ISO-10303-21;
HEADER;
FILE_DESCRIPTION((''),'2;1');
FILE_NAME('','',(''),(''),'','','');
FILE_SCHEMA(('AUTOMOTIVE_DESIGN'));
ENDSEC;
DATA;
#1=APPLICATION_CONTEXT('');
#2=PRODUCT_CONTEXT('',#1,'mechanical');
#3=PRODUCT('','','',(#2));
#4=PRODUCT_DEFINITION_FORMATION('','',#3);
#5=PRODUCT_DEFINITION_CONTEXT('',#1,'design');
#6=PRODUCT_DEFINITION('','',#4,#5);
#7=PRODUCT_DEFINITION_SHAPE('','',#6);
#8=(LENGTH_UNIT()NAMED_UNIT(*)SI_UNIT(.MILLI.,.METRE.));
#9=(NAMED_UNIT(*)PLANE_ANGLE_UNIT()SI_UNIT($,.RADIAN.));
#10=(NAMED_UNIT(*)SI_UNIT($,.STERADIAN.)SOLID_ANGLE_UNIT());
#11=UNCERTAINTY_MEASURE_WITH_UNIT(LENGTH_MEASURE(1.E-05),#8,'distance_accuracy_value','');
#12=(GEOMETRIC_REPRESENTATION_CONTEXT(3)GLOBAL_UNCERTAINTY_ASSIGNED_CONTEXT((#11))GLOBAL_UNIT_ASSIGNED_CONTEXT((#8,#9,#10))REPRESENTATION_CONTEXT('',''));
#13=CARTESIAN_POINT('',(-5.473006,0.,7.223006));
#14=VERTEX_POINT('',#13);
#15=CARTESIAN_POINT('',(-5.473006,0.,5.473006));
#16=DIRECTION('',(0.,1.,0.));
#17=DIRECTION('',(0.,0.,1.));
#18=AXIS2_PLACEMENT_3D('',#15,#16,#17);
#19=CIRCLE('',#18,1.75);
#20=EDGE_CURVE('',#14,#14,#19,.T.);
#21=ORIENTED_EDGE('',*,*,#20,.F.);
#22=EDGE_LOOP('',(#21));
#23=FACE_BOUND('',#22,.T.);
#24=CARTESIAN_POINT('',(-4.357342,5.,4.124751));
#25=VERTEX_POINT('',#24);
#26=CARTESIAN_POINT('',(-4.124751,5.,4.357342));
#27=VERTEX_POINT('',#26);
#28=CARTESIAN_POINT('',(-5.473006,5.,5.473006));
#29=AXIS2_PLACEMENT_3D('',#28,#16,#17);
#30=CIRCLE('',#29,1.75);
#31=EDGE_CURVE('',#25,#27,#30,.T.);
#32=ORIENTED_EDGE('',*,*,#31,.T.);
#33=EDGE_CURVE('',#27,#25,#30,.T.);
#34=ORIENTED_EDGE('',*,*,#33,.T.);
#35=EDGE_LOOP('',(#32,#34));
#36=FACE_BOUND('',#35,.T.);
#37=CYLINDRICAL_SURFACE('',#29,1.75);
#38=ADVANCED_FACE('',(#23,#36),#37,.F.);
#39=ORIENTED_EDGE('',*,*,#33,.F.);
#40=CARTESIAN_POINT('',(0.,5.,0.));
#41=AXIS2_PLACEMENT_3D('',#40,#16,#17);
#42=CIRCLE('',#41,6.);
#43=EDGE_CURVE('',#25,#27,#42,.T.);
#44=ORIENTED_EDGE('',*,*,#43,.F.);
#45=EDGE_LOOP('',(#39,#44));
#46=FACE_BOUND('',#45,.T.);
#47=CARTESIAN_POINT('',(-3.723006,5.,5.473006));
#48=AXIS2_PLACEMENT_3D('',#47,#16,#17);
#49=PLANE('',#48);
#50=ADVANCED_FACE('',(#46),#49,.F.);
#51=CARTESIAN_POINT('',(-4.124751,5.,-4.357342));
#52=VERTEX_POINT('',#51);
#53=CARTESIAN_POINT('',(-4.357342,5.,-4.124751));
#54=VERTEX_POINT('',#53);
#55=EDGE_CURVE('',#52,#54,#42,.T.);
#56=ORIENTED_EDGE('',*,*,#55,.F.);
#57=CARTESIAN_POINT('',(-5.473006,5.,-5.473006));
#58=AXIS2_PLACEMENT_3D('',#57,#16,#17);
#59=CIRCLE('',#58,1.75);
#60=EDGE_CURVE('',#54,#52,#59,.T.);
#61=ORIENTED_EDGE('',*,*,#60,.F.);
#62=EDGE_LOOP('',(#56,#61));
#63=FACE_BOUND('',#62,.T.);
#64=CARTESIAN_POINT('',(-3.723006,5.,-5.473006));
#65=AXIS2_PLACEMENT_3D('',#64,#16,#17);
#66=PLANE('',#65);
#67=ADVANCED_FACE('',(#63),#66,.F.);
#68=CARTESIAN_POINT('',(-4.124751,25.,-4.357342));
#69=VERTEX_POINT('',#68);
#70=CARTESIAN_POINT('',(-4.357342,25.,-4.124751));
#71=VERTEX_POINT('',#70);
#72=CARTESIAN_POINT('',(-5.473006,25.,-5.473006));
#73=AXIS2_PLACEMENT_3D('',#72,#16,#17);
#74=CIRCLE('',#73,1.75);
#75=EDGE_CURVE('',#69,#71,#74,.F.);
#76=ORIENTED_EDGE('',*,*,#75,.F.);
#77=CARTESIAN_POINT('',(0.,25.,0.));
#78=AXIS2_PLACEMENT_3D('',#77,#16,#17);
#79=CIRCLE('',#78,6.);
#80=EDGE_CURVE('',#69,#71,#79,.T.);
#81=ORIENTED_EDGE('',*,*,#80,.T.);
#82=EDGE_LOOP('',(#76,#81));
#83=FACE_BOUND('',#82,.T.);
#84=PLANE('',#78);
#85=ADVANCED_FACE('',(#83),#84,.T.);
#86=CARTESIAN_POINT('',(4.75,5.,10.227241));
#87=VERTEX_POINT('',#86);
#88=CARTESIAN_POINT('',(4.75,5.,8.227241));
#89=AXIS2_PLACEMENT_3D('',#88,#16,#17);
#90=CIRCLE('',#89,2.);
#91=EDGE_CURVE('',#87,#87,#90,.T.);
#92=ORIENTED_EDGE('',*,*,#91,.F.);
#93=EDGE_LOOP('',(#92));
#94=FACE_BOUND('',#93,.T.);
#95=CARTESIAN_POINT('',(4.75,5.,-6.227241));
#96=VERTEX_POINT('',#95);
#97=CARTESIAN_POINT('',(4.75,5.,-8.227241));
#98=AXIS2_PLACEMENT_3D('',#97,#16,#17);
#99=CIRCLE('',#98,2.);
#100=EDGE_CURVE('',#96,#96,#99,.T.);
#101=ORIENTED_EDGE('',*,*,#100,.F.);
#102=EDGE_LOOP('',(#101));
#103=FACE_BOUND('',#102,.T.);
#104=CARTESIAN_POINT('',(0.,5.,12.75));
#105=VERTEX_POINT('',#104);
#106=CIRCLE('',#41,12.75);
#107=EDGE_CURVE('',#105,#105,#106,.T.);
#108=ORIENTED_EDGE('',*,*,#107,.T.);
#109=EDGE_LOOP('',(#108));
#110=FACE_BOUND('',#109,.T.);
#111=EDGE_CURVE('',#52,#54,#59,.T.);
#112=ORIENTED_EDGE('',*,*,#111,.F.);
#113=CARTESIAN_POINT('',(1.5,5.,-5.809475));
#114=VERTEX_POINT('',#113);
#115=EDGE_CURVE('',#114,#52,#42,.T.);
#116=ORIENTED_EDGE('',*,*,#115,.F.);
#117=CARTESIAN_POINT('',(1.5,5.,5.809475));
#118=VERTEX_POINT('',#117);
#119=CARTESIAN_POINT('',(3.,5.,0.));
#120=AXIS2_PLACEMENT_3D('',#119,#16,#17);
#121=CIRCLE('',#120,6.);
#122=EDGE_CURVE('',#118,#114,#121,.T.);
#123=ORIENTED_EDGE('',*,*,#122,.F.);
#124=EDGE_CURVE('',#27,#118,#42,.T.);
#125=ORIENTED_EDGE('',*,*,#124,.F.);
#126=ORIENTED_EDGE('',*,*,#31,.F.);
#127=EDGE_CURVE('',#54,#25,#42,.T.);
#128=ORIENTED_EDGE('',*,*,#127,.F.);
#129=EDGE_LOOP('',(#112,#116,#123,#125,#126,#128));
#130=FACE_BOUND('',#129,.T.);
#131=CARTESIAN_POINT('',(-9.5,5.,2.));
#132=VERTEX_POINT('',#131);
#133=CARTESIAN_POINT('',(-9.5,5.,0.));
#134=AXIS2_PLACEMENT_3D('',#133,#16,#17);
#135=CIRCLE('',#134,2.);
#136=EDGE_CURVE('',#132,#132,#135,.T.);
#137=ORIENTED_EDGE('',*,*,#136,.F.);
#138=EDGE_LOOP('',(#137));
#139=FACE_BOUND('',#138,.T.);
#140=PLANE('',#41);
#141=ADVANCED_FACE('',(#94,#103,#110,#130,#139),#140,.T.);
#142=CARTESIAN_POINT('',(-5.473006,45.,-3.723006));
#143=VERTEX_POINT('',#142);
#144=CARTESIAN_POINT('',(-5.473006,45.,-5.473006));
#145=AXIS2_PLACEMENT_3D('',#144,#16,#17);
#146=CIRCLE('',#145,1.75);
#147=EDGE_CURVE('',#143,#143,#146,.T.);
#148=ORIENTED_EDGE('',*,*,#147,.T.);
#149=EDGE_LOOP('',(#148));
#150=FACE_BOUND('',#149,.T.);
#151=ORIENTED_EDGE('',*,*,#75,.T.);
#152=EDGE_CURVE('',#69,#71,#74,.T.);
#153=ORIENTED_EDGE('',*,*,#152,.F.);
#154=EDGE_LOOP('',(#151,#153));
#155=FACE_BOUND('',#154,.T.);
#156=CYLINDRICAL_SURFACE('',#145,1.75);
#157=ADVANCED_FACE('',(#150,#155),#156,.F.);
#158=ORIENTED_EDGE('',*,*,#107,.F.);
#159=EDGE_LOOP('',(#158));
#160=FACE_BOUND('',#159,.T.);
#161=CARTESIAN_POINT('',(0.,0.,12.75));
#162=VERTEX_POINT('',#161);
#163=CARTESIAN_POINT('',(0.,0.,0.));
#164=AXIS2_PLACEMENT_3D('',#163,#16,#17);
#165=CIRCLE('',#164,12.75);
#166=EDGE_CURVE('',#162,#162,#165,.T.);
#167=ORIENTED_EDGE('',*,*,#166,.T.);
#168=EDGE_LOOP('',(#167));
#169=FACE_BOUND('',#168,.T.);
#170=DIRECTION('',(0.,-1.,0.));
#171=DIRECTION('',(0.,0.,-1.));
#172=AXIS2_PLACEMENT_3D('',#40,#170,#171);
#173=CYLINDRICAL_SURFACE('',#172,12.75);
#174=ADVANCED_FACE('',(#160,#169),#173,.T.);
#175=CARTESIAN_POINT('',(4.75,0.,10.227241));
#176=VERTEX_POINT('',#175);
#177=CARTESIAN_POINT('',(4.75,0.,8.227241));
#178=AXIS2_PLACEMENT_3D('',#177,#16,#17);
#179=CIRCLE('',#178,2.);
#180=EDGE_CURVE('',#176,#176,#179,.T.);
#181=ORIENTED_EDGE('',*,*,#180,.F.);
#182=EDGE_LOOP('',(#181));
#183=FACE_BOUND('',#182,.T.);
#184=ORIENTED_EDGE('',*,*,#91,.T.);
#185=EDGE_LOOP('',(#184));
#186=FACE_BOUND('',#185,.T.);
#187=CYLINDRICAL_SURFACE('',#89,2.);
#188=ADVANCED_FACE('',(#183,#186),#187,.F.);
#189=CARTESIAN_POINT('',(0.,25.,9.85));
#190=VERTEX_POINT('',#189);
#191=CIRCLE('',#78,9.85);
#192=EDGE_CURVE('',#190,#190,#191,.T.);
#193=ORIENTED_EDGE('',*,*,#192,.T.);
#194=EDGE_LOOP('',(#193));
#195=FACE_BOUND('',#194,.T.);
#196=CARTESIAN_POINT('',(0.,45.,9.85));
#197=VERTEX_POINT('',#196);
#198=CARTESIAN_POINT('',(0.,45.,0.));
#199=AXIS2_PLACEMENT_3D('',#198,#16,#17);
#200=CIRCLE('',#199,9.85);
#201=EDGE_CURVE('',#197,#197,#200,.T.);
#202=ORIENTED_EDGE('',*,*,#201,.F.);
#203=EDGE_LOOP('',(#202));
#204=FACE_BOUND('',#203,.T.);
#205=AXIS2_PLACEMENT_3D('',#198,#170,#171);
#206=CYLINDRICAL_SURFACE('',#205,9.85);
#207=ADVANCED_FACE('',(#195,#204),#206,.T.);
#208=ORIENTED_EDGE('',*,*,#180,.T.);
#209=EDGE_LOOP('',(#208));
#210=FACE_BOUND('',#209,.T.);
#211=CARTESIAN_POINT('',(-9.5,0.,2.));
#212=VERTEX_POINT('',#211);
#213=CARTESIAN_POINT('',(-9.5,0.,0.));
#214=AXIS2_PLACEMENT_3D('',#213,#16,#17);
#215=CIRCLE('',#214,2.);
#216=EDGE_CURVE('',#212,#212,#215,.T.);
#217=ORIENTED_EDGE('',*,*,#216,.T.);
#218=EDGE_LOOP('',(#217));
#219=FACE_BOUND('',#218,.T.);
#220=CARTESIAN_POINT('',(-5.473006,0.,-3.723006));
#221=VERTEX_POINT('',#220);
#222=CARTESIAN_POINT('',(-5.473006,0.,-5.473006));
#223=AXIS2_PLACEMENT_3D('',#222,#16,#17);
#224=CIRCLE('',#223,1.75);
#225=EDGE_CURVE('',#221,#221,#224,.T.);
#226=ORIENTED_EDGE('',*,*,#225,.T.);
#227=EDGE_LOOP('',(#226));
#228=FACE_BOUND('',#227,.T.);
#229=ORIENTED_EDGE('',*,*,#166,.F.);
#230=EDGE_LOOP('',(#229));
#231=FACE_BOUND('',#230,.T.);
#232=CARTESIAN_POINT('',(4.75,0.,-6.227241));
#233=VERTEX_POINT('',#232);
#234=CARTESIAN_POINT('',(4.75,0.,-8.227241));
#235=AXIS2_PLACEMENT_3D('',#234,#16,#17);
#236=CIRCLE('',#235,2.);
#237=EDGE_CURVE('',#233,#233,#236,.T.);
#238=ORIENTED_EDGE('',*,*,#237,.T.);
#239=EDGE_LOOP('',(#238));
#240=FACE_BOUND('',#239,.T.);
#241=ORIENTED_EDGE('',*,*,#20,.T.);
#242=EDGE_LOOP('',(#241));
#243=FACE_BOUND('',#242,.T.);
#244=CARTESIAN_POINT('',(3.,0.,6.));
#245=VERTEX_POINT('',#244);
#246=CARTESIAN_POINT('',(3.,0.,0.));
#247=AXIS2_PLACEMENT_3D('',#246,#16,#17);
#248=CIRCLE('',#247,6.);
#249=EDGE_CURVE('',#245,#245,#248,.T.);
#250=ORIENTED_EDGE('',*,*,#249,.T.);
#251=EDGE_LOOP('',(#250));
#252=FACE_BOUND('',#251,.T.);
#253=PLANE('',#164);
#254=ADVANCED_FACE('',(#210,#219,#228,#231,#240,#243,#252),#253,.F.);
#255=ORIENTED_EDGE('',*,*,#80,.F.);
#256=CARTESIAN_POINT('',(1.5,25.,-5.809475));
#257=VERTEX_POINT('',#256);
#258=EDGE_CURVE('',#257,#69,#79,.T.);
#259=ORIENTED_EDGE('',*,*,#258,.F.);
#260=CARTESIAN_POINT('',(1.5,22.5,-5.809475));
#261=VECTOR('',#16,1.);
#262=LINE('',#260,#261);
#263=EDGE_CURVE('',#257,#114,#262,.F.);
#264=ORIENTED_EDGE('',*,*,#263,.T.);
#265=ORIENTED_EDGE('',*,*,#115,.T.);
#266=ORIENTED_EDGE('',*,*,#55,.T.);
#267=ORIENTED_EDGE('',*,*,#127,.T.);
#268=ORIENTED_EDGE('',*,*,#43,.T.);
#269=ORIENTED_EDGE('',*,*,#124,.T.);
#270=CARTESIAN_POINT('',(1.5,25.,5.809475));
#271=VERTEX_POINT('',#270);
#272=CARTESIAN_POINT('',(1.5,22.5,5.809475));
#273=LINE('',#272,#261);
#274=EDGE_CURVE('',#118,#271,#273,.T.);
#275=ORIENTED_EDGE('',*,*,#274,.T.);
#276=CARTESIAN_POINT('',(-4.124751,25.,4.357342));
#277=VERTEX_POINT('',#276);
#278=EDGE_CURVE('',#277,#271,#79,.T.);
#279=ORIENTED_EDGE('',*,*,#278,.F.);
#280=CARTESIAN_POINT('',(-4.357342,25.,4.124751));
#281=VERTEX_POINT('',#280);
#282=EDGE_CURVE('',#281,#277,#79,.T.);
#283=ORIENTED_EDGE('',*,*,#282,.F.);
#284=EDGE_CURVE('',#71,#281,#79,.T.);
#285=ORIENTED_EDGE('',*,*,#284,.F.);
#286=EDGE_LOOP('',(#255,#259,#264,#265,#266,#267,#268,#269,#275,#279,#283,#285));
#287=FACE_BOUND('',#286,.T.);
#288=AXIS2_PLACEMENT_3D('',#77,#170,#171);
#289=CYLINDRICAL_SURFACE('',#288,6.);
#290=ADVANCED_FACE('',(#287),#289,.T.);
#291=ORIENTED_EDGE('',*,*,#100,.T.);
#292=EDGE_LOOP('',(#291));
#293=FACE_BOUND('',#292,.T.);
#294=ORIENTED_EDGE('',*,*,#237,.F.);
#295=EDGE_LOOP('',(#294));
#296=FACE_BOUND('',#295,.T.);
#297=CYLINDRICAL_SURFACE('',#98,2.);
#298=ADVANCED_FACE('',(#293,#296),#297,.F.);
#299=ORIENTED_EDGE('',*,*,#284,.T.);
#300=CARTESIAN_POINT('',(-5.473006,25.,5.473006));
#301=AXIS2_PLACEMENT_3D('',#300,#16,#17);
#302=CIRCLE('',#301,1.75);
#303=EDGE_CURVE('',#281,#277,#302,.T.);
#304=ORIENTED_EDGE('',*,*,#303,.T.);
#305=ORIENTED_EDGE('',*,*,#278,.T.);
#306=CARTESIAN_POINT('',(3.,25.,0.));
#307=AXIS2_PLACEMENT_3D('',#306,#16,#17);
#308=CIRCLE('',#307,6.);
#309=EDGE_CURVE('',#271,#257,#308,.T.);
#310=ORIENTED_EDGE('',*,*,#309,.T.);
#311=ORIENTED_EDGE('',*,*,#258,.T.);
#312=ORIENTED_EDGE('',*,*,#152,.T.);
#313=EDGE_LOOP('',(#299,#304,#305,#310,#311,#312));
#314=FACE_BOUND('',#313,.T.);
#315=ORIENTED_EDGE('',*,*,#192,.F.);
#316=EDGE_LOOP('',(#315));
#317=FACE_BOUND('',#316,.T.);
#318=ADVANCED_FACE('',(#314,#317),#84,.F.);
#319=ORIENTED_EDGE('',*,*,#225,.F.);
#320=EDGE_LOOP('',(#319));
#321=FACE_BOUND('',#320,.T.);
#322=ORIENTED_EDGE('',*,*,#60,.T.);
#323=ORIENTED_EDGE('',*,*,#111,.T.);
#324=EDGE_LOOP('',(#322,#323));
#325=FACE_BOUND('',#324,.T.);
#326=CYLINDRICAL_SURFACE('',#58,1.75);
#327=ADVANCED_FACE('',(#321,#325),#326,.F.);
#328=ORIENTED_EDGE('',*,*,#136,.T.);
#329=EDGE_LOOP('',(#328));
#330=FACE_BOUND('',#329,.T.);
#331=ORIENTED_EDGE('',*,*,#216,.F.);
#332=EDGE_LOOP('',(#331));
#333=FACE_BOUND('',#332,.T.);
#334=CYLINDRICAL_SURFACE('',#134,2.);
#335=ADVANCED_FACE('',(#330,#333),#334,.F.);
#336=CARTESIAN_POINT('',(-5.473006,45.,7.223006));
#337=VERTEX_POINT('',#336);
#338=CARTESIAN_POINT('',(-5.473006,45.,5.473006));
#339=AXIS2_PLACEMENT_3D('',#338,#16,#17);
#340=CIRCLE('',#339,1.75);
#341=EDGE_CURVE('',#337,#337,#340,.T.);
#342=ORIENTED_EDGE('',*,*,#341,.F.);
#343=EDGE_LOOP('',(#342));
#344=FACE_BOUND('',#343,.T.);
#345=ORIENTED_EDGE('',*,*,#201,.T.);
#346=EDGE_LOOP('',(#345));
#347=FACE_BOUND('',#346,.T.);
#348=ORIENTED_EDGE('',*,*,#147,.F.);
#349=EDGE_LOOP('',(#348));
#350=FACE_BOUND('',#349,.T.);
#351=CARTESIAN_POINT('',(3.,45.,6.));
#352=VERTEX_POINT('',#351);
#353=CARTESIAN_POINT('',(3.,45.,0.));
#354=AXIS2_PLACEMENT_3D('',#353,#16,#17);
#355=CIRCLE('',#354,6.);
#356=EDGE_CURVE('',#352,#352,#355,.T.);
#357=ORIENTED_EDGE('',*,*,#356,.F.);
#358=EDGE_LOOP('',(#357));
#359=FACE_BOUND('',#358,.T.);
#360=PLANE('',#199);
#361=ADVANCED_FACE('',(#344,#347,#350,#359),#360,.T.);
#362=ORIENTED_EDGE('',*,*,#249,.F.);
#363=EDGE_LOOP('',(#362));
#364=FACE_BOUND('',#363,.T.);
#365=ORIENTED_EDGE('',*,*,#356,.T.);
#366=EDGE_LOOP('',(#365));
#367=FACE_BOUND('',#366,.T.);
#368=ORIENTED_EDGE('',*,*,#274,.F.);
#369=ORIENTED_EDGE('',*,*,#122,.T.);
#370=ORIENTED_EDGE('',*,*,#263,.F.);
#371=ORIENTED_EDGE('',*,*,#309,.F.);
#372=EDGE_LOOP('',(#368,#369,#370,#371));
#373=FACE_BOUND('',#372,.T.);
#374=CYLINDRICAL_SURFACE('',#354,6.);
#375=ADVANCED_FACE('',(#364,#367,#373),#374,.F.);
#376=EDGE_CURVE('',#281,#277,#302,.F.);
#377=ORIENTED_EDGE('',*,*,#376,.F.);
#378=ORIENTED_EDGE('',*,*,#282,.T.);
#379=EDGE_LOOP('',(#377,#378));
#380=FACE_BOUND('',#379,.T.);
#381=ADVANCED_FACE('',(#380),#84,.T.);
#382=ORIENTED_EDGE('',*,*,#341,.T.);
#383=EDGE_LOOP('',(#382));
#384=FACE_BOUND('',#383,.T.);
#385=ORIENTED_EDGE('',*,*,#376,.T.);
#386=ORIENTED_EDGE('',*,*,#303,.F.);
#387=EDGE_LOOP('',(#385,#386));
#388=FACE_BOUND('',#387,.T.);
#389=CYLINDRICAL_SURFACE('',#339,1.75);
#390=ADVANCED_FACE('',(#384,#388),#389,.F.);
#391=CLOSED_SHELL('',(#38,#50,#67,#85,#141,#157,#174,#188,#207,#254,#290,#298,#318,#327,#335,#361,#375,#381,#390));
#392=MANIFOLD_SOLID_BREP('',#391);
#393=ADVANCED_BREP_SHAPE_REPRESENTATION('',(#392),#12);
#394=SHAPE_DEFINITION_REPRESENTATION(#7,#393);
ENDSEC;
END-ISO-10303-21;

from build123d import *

# Parameters (mm, degrees)
SKETCH1_R                      = 12.75
BOSS_EXTRUDE1_DEPTH            = 5
F_6_0MM_DOWEL_HOLE1_D          = 4
SKETCH2_R                      = 6
BOSS_EXTRUDE2_DEPTH            = 20
SKETCH5_R                      = 9.85
BOSS_EXTRUDE3_DEPTH            = 20
F_6_0MM_DOWEL_HOLE2_D          = 12
F_6_0MM_DOWEL_HOLE3_D          = 3.5
F_6_0MM_DOWEL_HOLE3_DEPTH      = 20
SKETCH17_W                     = 1.75
SKETCH17_H                     = 5
F_6_0MM_DOWEL_HOLE4_AT_2_COUNT = 2
F_6_0MM_DOWEL_HOLE4_AT_2_PITCH = 10.946012973


with BuildPart() as part:
    # Sketch1 → Boss-Extrude1 (new body)
    with BuildSketch(Plane(origin=(0, 0, 0), x_dir=(1, 0, 0), z_dir=(0, 1, 0))):
        with Locations(Location((0, 0, 0), (0, 0, 270))):
            Circle(SKETCH1_R)
    extrude(amount=BOSS_EXTRUDE1_DEPTH)

    # Ø6.0mm Dowel Hole1 (through all)
    with Locations(Plane(origin=(0, 5, 0), x_dir=(1, 0, 0), z_dir=(0, 1, 0))):
        with Locations((-9.5, 0), (4.75, -8.227241336), (4.75, 8.227241336)):
            Hole(F_6_0MM_DOWEL_HOLE1_D / 2)

    # Sketch2 → Boss-Extrude2 (add)
    with BuildSketch(Plane(origin=(0, 5, 0), x_dir=(1, 0, 0), z_dir=(0, 1, 0))):
        with Locations(Location((0, 0, 0), (0, 0, 270))):
            Circle(SKETCH2_R)
    extrude(amount=BOSS_EXTRUDE2_DEPTH)

    # Sketch5 → Boss-Extrude3 (add)
    with BuildSketch(Plane(origin=(0, 25, 0), x_dir=(1, 0, 0), z_dir=(0, 1, 0))):
        with Locations(Location((0, 0, 0), (0, 0, 270))):
            Circle(SKETCH5_R)
    extrude(amount=BOSS_EXTRUDE3_DEPTH)

    # Ø6.0mm Dowel Hole2 (through all)
    with Locations(Plane(origin=(0, 45, 0), x_dir=(1, 0, 0), z_dir=(0, 1, 0))):
        with Locations((3, 0)):
            Hole(F_6_0MM_DOWEL_HOLE2_D / 2)

    # Ø6.0mm Dowel Hole3
    with Locations(Plane(origin=(0, 45, 0), x_dir=(1, 0, 0), z_dir=(0, 1, 0))):
        with Locations((-5.473006486, 5.473006486), (-5.473006486, -5.473006486)):
            Hole(F_6_0MM_DOWEL_HOLE3_D / 2, depth=F_6_0MM_DOWEL_HOLE3_DEPTH)

    # Sketch17 → Ø6.0mm Dowel Hole4 (revolve, cut)
    with BuildSketch(Plane(origin=(-5.473006486, 5, 5.473006486), x_dir=(0, 0, 1), z_dir=(1, 0, 0))):
        with Locations((0.875, 2.5)):
            Rectangle(SKETCH17_W, SKETCH17_H)
    f_6_0mm_dowel_hole4 = revolve(axis=Axis((-5.473006486, 11.35, 5.473006486), (0, -1, 0)), mode=Mode.SUBTRACT)

    # Ø6.0mm Dowel Hole4 at 2: Ø6.0mm Dowel Hole4 ×2
    with Locations(*[(0, 0, -i * F_6_0MM_DOWEL_HOLE4_AT_2_PITCH) for i in range(1, F_6_0MM_DOWEL_HOLE4_AT_2_COUNT)]):
        add(f_6_0mm_dowel_hole4, mode=Mode.SUBTRACT)


solid = part.part
